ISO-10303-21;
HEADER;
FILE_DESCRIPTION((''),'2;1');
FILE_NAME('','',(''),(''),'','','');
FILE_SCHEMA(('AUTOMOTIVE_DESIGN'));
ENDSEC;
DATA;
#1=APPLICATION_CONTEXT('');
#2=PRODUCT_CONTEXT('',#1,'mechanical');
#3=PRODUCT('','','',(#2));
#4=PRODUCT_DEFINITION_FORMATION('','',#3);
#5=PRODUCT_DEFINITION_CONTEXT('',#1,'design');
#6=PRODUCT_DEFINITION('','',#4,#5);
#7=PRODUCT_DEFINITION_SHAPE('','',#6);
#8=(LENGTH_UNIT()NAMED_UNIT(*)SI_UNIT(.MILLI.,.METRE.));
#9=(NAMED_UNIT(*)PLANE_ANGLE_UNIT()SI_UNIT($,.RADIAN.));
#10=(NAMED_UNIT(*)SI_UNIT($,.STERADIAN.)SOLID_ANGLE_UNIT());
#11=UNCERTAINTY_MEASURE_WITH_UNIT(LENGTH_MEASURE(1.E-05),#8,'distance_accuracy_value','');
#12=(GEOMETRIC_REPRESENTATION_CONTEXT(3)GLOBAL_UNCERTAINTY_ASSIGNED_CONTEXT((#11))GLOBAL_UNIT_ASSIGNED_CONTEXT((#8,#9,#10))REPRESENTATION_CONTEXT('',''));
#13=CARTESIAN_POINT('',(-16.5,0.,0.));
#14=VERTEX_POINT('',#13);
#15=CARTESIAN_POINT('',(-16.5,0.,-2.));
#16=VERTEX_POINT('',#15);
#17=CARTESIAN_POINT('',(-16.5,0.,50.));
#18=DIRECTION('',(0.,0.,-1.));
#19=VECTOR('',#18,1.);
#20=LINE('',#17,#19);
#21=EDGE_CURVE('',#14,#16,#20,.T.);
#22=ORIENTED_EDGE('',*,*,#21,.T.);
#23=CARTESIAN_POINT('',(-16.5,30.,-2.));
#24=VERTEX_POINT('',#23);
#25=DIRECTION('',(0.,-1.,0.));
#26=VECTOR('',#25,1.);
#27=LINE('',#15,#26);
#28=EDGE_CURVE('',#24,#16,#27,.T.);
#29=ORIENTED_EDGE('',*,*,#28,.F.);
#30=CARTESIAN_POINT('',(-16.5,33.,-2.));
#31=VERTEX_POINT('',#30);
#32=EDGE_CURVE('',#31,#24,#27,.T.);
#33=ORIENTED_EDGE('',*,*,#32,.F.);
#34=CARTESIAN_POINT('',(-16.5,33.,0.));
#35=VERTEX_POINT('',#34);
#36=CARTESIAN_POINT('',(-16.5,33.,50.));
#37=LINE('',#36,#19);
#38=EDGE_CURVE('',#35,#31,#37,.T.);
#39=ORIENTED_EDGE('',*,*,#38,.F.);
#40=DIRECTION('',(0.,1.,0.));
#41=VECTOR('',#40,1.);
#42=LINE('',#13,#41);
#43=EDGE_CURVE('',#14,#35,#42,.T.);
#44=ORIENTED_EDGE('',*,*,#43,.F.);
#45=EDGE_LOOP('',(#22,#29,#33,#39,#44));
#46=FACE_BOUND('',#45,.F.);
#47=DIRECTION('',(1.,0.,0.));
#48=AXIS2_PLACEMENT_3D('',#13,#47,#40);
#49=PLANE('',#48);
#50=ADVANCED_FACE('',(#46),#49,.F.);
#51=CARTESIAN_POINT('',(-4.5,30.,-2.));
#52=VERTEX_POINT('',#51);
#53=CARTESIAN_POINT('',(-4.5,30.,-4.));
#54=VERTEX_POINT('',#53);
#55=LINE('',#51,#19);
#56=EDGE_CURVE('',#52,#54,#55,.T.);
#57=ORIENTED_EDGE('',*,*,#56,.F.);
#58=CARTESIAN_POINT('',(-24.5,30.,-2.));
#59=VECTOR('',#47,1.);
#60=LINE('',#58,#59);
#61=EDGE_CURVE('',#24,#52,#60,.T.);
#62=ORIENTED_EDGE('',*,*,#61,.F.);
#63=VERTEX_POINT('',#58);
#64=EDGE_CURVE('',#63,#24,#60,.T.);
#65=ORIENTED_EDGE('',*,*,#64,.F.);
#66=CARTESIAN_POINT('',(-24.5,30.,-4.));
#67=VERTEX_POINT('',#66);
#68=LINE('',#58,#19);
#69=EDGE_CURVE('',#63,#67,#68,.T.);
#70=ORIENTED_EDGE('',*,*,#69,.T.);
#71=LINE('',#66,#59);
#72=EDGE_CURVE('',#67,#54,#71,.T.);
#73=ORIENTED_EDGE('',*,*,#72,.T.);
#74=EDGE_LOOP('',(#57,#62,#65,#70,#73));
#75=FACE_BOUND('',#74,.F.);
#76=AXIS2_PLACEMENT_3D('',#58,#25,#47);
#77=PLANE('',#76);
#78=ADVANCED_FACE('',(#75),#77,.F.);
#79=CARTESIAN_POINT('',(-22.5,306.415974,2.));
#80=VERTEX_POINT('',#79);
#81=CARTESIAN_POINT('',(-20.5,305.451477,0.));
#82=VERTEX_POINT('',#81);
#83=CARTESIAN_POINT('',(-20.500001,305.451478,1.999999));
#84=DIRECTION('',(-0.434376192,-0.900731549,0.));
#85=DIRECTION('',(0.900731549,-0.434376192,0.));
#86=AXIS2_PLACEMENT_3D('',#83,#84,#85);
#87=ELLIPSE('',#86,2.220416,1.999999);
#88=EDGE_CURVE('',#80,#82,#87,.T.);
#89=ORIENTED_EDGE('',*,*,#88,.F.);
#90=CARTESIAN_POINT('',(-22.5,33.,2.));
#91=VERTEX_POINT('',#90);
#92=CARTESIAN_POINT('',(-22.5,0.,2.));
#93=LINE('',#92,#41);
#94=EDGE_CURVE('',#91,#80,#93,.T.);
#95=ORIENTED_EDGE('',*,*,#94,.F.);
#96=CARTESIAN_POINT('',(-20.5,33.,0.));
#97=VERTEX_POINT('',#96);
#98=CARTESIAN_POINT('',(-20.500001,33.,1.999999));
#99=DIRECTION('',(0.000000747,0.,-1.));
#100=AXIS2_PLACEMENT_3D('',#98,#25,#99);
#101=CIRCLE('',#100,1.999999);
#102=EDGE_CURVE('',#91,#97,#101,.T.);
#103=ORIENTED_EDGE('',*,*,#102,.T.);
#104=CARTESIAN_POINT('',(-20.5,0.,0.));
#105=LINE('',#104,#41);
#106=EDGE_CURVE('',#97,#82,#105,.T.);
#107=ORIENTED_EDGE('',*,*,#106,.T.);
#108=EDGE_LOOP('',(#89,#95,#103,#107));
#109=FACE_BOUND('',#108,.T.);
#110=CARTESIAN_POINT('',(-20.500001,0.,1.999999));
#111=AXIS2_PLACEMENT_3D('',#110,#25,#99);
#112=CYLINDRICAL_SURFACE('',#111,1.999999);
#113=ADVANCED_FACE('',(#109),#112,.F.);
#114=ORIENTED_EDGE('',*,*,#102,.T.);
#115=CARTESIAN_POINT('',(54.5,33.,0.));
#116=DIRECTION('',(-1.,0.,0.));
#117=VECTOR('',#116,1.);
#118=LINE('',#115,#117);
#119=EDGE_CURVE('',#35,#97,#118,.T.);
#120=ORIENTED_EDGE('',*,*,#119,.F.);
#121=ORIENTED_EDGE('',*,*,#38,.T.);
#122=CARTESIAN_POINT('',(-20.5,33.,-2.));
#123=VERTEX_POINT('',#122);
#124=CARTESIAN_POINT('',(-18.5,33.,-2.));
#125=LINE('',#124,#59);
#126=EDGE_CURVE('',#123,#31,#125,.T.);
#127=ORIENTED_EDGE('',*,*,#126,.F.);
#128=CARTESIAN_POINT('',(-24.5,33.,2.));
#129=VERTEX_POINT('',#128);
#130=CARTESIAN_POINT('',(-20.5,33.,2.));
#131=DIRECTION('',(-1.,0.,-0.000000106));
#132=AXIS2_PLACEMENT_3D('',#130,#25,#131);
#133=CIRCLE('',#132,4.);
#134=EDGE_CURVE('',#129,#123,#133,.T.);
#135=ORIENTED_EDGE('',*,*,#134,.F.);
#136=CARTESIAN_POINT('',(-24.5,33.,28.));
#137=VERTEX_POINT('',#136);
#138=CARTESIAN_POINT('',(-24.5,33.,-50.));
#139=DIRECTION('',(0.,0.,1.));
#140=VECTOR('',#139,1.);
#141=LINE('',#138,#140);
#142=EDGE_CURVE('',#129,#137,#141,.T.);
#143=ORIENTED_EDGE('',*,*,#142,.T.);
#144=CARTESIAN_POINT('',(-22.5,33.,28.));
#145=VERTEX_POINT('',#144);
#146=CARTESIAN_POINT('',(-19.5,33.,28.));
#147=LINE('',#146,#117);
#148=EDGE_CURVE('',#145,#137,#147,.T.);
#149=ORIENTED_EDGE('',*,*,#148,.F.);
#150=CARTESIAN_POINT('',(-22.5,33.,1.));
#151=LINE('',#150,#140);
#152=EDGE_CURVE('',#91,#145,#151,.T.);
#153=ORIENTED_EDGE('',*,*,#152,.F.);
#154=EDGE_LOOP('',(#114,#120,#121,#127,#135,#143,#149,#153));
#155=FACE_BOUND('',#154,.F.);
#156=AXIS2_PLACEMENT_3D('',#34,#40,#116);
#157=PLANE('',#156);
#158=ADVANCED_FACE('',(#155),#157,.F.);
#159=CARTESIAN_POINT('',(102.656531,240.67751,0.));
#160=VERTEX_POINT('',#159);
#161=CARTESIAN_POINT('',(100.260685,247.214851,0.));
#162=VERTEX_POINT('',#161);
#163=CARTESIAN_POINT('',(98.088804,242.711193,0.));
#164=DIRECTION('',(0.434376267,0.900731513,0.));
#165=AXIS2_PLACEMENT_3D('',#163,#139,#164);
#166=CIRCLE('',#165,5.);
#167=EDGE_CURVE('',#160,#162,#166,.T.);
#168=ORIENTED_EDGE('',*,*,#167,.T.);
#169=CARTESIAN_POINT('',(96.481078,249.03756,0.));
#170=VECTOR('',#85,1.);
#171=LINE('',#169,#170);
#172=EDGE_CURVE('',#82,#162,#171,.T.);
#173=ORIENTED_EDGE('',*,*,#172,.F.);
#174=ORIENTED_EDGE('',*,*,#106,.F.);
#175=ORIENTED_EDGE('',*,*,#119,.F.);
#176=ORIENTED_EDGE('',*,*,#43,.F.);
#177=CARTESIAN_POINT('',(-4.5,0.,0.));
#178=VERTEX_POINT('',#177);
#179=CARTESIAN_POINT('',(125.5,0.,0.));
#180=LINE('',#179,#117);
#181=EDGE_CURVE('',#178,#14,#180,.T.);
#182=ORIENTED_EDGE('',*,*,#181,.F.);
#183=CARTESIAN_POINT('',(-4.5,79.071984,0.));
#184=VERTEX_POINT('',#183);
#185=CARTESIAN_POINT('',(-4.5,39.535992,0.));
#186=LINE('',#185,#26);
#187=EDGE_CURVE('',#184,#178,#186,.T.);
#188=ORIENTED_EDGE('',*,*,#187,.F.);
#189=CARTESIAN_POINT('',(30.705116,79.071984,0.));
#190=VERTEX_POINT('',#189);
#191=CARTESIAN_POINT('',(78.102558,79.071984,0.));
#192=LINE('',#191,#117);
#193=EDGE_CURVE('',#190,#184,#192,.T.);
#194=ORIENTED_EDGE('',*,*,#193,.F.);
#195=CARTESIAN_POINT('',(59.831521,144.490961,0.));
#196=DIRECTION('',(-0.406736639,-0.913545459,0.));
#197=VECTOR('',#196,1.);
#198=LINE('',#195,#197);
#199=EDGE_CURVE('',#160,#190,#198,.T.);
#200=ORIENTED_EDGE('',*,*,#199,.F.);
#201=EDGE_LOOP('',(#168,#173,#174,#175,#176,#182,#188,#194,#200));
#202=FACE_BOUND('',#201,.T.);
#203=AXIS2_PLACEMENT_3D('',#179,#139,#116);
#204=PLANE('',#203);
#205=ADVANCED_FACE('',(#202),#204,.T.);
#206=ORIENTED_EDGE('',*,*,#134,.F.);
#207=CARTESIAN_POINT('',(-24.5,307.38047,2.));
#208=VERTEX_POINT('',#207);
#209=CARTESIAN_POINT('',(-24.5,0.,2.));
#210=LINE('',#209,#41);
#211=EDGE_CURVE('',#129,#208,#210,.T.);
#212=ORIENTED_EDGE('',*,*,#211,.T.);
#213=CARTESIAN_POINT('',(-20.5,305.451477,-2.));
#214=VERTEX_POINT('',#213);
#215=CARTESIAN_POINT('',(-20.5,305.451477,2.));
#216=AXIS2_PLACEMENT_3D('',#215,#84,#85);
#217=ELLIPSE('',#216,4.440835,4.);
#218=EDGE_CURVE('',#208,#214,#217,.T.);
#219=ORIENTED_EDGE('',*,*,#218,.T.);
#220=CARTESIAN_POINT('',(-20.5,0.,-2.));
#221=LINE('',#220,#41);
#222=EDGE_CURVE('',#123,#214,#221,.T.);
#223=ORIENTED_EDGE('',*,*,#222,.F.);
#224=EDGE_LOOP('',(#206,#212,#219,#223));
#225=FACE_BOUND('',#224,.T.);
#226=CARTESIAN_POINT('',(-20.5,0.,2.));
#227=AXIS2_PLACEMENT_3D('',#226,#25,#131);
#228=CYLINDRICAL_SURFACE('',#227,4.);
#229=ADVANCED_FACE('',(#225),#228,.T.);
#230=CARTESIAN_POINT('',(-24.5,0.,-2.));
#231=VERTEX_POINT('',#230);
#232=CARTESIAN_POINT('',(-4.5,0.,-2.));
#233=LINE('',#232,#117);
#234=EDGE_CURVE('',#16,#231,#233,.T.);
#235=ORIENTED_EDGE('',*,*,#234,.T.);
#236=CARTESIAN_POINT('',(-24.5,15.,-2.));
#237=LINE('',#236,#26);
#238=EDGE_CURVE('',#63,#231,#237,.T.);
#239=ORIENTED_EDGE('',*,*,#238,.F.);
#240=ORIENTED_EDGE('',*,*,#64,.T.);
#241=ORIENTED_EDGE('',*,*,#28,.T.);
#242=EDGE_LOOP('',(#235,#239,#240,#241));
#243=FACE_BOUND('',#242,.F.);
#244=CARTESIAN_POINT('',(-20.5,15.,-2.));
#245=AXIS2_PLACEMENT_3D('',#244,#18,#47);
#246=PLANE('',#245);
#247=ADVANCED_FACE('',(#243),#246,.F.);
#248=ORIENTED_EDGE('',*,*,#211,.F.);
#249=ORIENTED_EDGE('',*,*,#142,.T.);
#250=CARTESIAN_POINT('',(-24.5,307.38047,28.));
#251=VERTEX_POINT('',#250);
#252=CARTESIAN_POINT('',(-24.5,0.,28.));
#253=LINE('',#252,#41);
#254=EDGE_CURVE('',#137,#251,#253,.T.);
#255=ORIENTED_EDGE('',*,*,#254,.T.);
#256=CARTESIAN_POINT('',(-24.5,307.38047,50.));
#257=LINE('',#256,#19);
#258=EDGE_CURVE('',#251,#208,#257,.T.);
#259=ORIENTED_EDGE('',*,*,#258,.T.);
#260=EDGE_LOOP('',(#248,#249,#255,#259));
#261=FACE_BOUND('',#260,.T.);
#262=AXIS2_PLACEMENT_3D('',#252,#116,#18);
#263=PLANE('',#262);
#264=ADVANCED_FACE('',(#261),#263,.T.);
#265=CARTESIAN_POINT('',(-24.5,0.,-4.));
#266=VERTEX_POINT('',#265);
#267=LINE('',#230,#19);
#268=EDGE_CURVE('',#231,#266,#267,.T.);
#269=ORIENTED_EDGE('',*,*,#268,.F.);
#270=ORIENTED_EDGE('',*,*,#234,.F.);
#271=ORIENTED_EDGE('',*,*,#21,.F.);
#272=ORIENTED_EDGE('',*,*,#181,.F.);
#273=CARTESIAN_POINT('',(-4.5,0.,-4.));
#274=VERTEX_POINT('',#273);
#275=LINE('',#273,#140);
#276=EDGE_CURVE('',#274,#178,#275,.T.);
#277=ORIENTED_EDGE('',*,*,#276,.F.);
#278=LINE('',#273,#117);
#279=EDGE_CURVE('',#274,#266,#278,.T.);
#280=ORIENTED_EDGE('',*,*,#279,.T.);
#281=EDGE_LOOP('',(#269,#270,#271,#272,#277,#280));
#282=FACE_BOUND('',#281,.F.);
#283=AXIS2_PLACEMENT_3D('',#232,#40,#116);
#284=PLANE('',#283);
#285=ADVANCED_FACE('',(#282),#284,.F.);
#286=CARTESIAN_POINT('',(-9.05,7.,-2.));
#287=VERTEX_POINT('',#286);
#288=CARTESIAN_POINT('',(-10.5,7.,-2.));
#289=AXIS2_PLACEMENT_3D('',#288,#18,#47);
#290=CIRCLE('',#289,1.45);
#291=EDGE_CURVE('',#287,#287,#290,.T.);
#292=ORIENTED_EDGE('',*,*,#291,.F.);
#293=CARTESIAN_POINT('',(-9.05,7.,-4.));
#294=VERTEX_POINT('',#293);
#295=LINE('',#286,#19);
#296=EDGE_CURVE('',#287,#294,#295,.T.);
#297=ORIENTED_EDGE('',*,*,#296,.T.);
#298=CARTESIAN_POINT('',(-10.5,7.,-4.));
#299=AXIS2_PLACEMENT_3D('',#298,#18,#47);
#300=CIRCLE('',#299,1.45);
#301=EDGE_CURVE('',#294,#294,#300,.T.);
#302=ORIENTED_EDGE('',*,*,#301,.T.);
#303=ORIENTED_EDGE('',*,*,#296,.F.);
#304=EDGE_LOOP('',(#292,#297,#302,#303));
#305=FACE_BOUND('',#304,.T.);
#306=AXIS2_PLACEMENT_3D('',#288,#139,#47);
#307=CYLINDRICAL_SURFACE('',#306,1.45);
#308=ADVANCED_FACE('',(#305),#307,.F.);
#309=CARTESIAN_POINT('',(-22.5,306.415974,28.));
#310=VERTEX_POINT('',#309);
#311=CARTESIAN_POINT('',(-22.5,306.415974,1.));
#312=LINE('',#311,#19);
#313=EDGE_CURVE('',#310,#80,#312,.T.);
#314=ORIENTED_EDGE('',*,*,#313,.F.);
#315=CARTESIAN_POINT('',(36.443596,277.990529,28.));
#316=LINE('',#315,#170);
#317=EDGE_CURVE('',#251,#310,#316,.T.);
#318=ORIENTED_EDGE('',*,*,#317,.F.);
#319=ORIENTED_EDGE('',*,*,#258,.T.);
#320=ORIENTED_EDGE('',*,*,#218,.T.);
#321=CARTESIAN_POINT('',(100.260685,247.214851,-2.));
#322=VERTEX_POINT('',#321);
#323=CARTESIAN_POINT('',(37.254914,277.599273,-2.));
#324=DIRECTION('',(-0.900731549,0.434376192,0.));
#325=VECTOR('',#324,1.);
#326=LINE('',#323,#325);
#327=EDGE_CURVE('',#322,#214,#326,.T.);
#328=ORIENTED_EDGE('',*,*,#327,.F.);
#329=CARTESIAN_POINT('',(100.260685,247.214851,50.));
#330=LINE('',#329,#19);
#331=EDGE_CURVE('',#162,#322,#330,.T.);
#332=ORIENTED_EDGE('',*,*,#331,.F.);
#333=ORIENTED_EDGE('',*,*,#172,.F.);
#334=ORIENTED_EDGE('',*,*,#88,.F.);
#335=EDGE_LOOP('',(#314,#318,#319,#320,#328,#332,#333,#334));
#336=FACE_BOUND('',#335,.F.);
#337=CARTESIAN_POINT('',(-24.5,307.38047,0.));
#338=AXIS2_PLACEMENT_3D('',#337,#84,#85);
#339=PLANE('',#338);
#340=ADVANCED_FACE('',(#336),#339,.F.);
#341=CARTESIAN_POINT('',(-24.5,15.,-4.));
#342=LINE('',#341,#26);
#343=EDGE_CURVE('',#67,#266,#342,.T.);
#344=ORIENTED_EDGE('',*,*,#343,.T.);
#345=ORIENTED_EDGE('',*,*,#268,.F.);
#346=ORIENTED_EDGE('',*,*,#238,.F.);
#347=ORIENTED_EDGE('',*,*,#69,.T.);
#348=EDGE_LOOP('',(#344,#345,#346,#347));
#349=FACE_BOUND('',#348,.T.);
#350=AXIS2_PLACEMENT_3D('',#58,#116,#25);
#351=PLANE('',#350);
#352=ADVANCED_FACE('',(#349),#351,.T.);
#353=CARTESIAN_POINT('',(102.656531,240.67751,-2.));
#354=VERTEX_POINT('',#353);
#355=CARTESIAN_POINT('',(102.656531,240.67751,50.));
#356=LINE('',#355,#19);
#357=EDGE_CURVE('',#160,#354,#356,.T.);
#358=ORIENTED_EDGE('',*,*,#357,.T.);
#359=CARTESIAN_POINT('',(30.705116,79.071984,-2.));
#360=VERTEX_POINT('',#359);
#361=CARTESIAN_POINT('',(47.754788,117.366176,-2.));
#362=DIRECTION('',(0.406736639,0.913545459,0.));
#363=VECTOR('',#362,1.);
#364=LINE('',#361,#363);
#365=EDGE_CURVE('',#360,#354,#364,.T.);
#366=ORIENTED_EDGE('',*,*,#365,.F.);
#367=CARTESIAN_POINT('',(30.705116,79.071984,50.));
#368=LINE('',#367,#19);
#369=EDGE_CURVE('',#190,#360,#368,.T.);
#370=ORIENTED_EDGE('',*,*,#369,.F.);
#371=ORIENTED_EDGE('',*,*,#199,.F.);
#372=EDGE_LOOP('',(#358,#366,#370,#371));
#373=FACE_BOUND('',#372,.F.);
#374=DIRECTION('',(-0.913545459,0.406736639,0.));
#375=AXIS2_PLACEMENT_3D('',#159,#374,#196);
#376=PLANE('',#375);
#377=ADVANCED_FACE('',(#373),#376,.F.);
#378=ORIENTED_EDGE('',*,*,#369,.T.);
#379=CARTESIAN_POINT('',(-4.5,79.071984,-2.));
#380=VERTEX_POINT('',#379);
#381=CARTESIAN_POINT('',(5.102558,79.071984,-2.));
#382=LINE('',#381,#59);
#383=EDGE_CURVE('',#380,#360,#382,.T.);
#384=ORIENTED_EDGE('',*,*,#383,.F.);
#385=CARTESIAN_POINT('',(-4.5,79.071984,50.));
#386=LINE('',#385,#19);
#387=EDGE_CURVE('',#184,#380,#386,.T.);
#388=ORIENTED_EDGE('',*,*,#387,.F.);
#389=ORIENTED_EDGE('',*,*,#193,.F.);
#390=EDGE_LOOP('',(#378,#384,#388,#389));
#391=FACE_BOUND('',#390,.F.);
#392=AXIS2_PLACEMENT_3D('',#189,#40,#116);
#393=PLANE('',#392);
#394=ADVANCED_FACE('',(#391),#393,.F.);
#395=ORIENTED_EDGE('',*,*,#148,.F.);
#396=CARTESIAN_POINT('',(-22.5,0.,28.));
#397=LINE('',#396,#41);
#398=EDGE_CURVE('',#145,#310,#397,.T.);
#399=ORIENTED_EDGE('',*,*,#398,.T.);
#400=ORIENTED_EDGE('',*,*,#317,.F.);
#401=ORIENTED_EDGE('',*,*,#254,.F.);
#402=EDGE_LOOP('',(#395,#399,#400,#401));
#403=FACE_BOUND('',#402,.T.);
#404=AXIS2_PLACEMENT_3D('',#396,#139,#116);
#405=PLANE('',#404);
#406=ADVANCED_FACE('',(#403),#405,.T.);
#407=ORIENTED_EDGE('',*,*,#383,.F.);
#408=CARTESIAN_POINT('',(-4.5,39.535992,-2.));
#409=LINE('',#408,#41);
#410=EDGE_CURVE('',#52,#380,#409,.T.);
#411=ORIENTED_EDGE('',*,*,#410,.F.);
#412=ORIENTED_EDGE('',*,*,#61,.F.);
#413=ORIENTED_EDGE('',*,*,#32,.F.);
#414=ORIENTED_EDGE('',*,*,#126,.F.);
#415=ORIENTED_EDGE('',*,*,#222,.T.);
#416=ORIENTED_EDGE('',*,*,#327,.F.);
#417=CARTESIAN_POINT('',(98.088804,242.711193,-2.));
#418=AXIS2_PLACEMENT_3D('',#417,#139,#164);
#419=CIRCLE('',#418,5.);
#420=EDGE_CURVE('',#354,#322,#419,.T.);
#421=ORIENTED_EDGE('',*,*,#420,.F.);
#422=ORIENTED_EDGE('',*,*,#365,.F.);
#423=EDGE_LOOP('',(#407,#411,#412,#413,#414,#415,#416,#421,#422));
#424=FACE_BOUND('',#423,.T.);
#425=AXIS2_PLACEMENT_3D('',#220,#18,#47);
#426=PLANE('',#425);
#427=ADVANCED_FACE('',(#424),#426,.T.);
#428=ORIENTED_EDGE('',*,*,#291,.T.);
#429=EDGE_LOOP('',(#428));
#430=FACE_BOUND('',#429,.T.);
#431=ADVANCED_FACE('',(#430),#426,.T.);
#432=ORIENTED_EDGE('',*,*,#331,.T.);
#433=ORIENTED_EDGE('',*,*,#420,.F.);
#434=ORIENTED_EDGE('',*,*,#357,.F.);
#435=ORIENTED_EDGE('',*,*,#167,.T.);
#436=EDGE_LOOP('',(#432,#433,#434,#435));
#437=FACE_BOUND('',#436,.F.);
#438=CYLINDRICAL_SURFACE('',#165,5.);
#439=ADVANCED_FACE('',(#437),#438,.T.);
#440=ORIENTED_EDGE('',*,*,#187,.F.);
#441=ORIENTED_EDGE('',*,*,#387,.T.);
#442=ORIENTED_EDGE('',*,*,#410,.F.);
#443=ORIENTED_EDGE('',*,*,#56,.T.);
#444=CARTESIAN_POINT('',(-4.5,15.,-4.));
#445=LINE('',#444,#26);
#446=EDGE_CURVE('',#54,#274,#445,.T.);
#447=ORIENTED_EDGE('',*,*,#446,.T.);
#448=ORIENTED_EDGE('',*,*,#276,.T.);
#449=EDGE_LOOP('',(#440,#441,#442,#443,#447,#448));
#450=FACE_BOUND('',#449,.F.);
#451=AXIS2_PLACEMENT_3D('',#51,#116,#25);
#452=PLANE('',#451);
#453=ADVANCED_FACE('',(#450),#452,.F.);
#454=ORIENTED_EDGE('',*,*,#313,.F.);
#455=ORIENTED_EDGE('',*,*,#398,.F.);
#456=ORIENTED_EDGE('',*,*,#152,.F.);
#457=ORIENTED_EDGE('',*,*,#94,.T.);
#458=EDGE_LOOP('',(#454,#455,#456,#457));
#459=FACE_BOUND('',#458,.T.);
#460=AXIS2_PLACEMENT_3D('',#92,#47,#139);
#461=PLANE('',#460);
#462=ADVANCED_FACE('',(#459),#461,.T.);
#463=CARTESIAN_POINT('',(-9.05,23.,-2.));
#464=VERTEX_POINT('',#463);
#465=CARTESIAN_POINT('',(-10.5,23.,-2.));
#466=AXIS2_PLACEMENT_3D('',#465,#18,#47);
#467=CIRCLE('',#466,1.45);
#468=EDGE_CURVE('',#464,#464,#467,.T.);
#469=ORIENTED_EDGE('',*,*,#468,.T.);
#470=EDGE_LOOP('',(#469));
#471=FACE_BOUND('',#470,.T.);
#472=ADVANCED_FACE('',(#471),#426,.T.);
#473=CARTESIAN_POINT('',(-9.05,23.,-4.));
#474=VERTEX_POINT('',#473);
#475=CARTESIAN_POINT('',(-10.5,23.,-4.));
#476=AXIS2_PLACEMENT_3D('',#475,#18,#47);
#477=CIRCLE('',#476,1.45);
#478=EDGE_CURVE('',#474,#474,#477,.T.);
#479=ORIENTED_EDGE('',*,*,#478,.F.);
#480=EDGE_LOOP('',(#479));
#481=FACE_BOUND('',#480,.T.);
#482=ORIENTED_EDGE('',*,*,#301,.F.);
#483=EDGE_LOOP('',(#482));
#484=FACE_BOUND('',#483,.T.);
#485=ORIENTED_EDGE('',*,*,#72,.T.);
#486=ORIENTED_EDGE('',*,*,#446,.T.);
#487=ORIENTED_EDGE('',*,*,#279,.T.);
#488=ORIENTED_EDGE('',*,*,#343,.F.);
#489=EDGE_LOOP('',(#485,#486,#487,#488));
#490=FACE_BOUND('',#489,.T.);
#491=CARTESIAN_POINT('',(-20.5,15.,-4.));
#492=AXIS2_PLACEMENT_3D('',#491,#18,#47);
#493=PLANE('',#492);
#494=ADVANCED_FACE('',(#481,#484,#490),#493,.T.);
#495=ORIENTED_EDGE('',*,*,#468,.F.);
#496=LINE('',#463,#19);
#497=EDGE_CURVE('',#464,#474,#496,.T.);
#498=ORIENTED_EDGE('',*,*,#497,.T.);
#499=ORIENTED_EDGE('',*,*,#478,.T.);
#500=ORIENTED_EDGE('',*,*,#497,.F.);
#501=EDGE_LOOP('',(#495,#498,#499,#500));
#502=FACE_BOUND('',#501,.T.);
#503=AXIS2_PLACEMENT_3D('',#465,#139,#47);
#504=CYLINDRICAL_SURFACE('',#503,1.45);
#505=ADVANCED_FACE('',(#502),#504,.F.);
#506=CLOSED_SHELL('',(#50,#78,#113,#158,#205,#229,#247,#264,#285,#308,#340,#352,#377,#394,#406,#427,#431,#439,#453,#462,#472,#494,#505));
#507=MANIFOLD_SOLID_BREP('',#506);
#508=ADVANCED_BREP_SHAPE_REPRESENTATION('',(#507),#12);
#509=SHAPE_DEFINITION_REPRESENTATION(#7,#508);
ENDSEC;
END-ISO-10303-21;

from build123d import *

# Parameters (mm, degrees)
F1_DEPTH = 400
F2_W     = 221.745663
F2_H     = 423.016819
F3_DEPTH = 50
F4_R     = 1.45
F5_DEPTH = 25
F6_W     = 8
F6_H     = 30
F6_W_2   = 12
F6_R     = 1.45
F7_DEPTH = 2


with BuildPart() as f1:
    # F0 (on Front) → F1 (new body)
    with BuildSketch(Plane.XZ):
        with BuildLine():
            Line((-22.5, 2), (-22.5, 28))
            Line((-22.5, 28), (-24.5, 28))
            Line((-24.5, 28), (-24.5, 2))
            ThreePointArc((-24.5, 2), (-23.328427, -0.828427), (-20.5, -2))
            Line((-20.5, -2), (125.5, -2))
            Line((125.5, -2), (125.5, 0))
            Line((125.5, 0), (-20.5, 0))
            ThreePointArc((-20.5, 0), (-21.914214, 0.585786), (-22.5, 2))
        make_face()
    extrude(amount=-F1_DEPTH)

    # F2 (on Top) → F3 (cut, symmetric)
    with BuildSketch(Plane.XY):
        with Locations((54.499505, 198.406644)):
            Rectangle(F2_W, F2_H)
        with BuildLine():
            Line((-24.5, 33), (-24.5, 307.38047))
            Line((-24.5, 307.38047), (100.260685, 247.214851))
            ThreePointArc((100.260685, 247.214851), (102.783459, 244.43172), (102.656531, 240.67751))
            Line((102.656531, 240.67751), (30.705116, 79.071984))
            Line((30.705116, 79.071984), (-4.5, 79.071984))
            Line((-4.5, 79.071984), (-4.5, 0))
            Line((-4.5, 0), (-16.5, 0))
            Line((-16.5, 0), (-16.5, 33))
            Line((-16.5, 33), (-24.5, 33))
        make_face(mode=Mode.SUBTRACT)
    extrude(amount=F3_DEPTH, both=True, mode=Mode.SUBTRACT)

    # F4 (on face) → F5 (cut)
    with BuildSketch(Plane(origin=(0, 0, -2), x_dir=(1, 0, 0), z_dir=(0, 0, -1))):
        with Locations((-18.5, -7)):
            Circle(F4_R)
        with Locations((-18.5, -23)):
            Circle(F4_R)
    extrude(amount=-F5_DEPTH, mode=Mode.SUBTRACT)

    # F6 (on face) → F7 (join)
    with BuildSketch(Plane(origin=(0, 0, -2), x_dir=(1, 0, 0), z_dir=(0, 0, -1))):
        with Locations((-20.5, -15)):
            Rectangle(F6_W, F6_H)
        with Locations((-10.5, -15)):
            Rectangle(F6_W_2, F6_H)
        with Locations((-10.5, -23)):
            Circle(F6_R, mode=Mode.SUBTRACT)
        with Locations((-10.5, -7)):
            Circle(F6_R, mode=Mode.SUBTRACT)
    extrude(amount=F7_DEPTH)


solid = f1.part
